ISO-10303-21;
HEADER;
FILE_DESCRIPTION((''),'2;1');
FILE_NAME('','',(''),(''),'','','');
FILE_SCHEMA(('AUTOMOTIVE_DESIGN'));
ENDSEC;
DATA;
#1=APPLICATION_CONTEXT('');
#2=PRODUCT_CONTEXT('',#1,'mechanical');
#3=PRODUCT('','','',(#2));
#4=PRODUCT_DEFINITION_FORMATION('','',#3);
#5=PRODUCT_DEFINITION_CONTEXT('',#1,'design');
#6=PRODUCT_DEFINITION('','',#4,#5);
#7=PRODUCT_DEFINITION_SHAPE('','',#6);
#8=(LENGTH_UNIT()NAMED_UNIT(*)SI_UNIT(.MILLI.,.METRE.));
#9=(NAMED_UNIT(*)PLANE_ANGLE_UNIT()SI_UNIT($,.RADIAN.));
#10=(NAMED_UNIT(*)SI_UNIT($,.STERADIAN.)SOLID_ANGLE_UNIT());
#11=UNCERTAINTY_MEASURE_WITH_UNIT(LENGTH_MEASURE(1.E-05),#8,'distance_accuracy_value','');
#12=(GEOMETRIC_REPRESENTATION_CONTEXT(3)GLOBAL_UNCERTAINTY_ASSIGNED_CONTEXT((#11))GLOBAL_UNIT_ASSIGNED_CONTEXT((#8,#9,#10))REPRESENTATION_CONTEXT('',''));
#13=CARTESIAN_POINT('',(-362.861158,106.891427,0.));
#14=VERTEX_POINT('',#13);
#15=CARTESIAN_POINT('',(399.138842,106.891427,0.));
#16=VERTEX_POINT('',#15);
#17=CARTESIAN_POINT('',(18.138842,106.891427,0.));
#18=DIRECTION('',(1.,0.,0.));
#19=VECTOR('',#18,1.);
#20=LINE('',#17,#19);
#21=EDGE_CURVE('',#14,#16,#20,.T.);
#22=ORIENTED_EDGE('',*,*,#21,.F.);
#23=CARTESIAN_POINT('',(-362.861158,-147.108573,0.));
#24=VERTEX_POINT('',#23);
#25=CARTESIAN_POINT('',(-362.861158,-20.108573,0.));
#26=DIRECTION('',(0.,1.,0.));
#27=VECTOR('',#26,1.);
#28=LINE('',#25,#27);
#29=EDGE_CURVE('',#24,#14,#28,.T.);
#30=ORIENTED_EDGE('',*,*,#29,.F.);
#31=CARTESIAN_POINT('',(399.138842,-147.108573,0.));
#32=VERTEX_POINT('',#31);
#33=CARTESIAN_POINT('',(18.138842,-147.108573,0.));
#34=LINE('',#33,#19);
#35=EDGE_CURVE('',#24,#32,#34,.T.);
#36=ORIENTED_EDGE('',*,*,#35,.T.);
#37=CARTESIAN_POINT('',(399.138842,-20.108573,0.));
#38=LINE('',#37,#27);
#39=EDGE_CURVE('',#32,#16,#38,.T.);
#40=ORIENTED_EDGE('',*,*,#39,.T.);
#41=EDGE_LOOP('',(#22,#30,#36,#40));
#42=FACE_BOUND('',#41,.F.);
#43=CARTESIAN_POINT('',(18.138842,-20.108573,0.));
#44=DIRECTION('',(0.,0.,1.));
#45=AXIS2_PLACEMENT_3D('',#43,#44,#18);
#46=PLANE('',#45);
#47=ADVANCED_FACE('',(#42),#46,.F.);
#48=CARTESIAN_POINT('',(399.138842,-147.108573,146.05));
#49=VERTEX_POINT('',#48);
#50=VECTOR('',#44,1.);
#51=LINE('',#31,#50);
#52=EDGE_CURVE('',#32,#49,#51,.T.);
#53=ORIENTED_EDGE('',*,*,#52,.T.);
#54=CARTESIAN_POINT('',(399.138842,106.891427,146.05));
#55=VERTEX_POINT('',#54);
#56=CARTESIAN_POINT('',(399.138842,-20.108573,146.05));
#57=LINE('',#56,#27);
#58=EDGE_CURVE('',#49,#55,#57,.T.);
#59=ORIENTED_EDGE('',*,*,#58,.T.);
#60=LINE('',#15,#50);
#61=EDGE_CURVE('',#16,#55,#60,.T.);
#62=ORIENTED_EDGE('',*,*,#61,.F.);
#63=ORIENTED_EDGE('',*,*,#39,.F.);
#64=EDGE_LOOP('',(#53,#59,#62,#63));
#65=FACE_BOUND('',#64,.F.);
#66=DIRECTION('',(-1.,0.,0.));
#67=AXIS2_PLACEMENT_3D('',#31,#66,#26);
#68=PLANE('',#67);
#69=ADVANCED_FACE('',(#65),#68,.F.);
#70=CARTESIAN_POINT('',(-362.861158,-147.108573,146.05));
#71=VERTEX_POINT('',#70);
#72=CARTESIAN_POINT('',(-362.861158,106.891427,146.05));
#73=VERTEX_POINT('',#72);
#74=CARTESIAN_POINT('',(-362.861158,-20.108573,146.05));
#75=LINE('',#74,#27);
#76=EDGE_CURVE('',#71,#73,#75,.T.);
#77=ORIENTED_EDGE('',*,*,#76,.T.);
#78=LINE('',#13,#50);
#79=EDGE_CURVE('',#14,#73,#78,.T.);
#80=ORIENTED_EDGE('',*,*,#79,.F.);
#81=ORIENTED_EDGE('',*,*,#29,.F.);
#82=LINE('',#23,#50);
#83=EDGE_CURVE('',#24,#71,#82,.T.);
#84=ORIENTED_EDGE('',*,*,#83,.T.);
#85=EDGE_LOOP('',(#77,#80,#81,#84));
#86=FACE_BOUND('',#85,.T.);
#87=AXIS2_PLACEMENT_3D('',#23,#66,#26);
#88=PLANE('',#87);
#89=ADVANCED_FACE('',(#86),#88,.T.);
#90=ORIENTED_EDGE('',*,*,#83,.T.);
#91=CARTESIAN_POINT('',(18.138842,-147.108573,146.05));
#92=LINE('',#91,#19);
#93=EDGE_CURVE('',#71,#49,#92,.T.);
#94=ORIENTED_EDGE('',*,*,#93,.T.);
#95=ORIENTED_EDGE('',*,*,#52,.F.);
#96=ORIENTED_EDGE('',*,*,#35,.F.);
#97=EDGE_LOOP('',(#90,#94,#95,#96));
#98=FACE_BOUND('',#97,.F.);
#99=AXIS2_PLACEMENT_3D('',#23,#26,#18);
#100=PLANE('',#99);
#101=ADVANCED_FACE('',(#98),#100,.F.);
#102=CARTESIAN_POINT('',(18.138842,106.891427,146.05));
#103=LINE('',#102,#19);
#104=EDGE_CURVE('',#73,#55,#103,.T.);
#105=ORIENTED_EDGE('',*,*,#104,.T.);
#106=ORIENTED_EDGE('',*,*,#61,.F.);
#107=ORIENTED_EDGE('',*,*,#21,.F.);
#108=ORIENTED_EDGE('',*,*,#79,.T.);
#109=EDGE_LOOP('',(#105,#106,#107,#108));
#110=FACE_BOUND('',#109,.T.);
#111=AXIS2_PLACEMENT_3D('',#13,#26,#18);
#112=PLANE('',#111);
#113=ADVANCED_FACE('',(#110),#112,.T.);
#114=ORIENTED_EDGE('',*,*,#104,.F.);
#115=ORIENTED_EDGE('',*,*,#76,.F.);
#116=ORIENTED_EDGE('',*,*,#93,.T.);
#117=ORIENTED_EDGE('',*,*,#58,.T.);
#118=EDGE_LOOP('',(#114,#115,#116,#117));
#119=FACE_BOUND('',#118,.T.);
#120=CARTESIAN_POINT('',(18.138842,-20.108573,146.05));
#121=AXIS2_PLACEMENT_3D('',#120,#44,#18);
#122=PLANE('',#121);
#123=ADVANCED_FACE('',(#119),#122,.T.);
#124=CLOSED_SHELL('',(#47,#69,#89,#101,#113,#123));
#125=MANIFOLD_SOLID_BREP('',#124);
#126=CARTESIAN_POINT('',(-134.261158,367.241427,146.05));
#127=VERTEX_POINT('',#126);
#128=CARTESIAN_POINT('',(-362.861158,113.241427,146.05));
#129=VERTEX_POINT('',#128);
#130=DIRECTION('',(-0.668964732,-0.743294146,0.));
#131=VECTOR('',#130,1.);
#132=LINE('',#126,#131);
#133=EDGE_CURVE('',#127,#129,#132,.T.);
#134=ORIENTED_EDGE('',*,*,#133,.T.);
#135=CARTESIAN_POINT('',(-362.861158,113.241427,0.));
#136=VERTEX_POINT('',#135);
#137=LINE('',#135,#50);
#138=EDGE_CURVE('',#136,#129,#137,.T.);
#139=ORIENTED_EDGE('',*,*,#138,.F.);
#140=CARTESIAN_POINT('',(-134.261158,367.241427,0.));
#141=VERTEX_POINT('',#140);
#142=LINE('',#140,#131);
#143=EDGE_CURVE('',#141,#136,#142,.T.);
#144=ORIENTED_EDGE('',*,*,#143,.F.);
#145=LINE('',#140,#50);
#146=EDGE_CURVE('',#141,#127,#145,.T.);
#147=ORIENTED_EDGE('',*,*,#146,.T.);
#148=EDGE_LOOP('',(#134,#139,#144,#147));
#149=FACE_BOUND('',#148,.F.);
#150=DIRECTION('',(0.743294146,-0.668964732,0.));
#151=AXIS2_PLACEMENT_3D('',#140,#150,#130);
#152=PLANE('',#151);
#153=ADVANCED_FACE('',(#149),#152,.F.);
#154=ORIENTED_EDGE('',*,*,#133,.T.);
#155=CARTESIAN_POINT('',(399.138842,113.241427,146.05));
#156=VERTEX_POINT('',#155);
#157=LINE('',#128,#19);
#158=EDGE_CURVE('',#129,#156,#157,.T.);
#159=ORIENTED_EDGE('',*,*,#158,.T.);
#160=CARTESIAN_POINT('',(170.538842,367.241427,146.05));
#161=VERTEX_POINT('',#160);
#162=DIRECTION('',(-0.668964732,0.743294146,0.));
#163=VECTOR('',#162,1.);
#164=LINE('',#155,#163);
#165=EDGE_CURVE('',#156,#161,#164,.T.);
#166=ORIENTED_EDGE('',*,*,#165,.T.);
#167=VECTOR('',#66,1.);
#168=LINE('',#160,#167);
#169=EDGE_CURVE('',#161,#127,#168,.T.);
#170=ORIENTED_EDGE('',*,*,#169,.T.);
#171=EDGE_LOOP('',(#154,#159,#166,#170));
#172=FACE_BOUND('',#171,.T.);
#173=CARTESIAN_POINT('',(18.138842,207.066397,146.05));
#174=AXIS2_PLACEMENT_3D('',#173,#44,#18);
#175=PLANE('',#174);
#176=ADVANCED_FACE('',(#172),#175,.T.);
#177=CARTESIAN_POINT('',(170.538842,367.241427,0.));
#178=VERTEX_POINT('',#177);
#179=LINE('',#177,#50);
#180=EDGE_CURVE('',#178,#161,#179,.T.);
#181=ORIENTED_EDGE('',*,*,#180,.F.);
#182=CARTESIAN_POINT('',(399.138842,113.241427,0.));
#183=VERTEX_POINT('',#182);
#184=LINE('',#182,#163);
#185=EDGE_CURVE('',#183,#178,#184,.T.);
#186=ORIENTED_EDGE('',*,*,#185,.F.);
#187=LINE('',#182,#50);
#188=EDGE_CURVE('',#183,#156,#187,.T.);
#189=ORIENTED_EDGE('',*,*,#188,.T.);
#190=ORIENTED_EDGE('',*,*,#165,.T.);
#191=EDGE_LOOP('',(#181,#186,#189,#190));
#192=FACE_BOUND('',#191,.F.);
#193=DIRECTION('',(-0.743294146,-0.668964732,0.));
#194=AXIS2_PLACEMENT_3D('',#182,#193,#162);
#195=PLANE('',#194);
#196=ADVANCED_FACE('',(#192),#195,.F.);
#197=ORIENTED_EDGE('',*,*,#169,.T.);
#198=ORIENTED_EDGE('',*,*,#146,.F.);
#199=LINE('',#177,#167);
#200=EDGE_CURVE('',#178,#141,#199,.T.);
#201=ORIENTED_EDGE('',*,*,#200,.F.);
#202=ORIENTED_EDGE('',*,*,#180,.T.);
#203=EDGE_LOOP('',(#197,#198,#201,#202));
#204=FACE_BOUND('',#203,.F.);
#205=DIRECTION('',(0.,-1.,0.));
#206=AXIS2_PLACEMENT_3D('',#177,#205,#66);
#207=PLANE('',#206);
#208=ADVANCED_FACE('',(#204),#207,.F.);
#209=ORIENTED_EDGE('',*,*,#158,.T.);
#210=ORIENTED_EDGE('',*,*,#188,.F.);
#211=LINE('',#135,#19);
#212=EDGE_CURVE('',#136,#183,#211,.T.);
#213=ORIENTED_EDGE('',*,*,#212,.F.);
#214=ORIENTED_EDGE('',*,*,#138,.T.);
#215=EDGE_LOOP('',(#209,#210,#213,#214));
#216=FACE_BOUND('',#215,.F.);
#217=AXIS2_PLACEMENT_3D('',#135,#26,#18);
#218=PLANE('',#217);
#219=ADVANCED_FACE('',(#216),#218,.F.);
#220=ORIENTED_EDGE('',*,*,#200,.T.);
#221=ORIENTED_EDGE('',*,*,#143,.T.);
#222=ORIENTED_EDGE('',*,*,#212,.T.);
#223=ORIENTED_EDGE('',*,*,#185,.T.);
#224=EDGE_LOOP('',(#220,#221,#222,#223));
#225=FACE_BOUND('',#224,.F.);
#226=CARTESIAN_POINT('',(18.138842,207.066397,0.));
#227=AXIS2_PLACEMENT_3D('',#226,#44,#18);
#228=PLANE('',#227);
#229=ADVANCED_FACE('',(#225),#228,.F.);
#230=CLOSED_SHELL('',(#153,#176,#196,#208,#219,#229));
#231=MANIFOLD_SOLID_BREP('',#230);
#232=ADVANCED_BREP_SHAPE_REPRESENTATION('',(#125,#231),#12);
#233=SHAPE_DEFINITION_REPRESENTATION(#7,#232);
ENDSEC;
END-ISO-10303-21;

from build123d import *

# Parameters (mm, degrees)
F0_W     = 762
F0_H     = 254
F1_DEPTH = 146.05
F3_DEPTH = 146.05


with BuildPart() as f1:
    # F0 (on Top) → F1 (new body)
    with BuildSketch(Plane.XY):
        with Locations((18.138842, -20.108573)):
            Rectangle(F0_W, F0_H)
    extrude(amount=F1_DEPTH)


with BuildPart() as f3:
    # F2 (on Top) → F3 (new body)
    with BuildSketch(Plane.XY):
        Polygon((-134.261158, 367.241427), (-362.861158, 113.241427), (399.138842, 113.241427), (170.538842, 367.241427), align=None)
    extrude(amount=F3_DEPTH)


solid = Compound([f1.part, f3.part])
